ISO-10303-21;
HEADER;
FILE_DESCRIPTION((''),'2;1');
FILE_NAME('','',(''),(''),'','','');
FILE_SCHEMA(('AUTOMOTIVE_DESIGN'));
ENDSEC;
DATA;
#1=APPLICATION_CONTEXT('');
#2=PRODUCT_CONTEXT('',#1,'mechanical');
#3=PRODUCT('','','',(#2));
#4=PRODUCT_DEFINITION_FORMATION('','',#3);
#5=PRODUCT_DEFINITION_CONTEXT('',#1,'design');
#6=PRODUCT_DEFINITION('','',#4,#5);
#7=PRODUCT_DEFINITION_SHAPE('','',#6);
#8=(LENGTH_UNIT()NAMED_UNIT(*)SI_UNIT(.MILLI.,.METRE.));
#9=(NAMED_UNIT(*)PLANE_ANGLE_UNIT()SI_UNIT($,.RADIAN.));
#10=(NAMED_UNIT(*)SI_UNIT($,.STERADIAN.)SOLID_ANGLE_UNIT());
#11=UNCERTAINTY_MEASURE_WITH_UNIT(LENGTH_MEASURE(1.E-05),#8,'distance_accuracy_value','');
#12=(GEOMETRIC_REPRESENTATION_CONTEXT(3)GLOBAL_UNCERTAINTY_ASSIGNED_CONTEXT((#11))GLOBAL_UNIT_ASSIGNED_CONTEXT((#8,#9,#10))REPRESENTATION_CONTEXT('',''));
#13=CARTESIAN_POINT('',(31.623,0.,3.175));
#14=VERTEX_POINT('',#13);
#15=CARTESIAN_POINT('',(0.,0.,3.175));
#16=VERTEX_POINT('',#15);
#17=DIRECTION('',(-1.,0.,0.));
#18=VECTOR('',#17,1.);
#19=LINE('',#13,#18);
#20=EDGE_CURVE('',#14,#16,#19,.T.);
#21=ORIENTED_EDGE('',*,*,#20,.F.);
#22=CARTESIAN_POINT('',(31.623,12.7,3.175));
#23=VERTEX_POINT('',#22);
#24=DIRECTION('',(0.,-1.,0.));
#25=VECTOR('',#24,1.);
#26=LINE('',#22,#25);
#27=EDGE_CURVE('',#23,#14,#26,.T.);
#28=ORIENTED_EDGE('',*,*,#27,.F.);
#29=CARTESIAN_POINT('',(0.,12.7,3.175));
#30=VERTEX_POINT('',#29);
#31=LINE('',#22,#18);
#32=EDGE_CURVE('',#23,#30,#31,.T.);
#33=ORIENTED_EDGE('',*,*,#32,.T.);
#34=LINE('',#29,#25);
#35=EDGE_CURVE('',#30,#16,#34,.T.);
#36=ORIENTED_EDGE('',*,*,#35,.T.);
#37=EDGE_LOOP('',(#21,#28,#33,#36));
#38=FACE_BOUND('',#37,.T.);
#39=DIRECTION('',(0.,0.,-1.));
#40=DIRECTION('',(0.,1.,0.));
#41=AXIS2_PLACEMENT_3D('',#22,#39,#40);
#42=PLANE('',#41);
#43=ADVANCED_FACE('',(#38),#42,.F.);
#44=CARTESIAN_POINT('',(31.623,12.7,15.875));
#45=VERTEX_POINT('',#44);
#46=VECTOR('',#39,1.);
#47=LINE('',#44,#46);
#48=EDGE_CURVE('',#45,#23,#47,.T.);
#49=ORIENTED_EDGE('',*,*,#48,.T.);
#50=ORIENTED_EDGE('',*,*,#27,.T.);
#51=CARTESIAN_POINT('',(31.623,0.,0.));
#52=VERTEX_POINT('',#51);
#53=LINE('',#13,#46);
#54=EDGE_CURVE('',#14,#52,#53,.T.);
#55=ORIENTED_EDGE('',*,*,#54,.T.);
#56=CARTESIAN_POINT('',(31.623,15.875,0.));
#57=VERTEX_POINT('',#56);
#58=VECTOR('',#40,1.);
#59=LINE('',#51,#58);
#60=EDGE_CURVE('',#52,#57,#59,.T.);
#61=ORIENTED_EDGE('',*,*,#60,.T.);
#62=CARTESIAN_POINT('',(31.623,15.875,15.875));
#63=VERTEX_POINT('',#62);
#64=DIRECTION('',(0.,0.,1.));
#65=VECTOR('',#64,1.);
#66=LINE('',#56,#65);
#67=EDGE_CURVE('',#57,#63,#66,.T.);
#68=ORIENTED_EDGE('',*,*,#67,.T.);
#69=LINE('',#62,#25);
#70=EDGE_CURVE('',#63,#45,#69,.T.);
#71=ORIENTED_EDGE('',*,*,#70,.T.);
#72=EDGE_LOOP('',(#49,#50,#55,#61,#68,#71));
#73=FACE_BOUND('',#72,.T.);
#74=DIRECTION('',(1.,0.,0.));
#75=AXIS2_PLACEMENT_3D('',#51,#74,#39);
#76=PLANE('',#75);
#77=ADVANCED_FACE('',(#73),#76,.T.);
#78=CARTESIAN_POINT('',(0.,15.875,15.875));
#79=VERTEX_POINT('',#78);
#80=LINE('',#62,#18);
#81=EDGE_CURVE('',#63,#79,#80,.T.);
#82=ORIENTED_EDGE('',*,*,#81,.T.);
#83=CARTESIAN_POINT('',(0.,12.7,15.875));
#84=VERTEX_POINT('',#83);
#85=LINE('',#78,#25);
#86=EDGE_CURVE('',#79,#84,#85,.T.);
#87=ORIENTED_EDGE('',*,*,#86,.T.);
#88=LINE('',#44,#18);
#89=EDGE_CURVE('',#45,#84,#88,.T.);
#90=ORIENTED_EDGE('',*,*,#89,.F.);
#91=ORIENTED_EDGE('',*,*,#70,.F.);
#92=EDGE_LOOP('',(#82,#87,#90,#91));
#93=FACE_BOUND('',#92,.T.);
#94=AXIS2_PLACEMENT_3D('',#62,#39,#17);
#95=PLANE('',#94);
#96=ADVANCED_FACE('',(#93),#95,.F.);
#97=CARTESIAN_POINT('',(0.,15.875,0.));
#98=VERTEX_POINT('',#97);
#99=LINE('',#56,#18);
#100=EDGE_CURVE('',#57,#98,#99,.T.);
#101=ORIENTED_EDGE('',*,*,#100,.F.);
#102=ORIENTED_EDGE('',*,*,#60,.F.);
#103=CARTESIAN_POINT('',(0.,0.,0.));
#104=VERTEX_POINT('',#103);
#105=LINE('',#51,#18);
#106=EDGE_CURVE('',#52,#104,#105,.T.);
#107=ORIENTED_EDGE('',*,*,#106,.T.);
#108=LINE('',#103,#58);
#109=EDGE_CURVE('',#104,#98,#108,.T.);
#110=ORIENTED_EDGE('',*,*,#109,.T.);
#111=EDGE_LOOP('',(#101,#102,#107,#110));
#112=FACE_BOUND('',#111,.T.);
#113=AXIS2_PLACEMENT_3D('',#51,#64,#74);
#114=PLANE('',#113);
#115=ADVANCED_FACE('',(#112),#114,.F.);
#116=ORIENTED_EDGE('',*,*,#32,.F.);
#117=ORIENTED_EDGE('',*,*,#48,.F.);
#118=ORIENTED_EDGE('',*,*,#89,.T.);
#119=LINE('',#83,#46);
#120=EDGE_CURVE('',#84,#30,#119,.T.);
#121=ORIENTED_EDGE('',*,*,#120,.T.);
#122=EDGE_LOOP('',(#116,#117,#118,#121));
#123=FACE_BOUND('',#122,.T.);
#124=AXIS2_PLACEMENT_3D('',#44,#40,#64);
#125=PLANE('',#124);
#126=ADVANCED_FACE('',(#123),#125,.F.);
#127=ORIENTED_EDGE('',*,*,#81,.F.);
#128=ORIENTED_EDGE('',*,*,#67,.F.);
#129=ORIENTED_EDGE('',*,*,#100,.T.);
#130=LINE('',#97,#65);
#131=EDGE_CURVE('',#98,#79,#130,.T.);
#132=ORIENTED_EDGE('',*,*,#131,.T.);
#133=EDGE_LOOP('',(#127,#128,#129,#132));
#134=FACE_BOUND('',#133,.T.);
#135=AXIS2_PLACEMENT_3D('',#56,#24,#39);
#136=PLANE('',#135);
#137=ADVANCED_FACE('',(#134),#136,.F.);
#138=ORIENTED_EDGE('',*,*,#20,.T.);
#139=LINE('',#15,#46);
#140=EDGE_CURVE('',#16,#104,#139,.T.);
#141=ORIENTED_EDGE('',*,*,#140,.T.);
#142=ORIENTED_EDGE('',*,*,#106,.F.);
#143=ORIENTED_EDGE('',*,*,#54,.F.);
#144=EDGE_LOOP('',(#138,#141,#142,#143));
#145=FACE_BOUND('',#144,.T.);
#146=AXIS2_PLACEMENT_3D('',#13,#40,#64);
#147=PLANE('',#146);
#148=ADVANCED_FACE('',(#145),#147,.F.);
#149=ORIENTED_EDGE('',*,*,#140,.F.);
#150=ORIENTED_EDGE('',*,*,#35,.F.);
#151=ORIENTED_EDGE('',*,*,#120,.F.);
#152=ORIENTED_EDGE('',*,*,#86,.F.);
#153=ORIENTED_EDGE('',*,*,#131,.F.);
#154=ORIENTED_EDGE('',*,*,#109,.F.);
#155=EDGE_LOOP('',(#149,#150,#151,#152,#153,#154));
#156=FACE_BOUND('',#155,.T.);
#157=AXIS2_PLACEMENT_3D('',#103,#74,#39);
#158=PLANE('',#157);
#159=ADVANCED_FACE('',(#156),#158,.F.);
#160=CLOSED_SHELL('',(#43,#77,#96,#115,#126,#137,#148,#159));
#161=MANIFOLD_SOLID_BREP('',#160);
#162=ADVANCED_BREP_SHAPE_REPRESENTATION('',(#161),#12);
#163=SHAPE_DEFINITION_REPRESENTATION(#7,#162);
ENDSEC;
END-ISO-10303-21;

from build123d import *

# Parameters (mm, degrees)
BOSS_EXTRUDE1_DEPTH = 31.623


with BuildPart() as part:
    # Sketch1 → Boss-Extrude1 (new body)
    with BuildSketch(Plane(origin=(0, 0, 0), x_dir=(0, 0, -1), z_dir=(1, 0, 0))):
        Polygon((0, 0), (0, 15.875), (-15.875, 15.875), (-15.875, 12.7), (-3.175, 12.7), (-3.175, 0), align=None)
    extrude(amount=BOSS_EXTRUDE1_DEPTH)


solid = part.part
